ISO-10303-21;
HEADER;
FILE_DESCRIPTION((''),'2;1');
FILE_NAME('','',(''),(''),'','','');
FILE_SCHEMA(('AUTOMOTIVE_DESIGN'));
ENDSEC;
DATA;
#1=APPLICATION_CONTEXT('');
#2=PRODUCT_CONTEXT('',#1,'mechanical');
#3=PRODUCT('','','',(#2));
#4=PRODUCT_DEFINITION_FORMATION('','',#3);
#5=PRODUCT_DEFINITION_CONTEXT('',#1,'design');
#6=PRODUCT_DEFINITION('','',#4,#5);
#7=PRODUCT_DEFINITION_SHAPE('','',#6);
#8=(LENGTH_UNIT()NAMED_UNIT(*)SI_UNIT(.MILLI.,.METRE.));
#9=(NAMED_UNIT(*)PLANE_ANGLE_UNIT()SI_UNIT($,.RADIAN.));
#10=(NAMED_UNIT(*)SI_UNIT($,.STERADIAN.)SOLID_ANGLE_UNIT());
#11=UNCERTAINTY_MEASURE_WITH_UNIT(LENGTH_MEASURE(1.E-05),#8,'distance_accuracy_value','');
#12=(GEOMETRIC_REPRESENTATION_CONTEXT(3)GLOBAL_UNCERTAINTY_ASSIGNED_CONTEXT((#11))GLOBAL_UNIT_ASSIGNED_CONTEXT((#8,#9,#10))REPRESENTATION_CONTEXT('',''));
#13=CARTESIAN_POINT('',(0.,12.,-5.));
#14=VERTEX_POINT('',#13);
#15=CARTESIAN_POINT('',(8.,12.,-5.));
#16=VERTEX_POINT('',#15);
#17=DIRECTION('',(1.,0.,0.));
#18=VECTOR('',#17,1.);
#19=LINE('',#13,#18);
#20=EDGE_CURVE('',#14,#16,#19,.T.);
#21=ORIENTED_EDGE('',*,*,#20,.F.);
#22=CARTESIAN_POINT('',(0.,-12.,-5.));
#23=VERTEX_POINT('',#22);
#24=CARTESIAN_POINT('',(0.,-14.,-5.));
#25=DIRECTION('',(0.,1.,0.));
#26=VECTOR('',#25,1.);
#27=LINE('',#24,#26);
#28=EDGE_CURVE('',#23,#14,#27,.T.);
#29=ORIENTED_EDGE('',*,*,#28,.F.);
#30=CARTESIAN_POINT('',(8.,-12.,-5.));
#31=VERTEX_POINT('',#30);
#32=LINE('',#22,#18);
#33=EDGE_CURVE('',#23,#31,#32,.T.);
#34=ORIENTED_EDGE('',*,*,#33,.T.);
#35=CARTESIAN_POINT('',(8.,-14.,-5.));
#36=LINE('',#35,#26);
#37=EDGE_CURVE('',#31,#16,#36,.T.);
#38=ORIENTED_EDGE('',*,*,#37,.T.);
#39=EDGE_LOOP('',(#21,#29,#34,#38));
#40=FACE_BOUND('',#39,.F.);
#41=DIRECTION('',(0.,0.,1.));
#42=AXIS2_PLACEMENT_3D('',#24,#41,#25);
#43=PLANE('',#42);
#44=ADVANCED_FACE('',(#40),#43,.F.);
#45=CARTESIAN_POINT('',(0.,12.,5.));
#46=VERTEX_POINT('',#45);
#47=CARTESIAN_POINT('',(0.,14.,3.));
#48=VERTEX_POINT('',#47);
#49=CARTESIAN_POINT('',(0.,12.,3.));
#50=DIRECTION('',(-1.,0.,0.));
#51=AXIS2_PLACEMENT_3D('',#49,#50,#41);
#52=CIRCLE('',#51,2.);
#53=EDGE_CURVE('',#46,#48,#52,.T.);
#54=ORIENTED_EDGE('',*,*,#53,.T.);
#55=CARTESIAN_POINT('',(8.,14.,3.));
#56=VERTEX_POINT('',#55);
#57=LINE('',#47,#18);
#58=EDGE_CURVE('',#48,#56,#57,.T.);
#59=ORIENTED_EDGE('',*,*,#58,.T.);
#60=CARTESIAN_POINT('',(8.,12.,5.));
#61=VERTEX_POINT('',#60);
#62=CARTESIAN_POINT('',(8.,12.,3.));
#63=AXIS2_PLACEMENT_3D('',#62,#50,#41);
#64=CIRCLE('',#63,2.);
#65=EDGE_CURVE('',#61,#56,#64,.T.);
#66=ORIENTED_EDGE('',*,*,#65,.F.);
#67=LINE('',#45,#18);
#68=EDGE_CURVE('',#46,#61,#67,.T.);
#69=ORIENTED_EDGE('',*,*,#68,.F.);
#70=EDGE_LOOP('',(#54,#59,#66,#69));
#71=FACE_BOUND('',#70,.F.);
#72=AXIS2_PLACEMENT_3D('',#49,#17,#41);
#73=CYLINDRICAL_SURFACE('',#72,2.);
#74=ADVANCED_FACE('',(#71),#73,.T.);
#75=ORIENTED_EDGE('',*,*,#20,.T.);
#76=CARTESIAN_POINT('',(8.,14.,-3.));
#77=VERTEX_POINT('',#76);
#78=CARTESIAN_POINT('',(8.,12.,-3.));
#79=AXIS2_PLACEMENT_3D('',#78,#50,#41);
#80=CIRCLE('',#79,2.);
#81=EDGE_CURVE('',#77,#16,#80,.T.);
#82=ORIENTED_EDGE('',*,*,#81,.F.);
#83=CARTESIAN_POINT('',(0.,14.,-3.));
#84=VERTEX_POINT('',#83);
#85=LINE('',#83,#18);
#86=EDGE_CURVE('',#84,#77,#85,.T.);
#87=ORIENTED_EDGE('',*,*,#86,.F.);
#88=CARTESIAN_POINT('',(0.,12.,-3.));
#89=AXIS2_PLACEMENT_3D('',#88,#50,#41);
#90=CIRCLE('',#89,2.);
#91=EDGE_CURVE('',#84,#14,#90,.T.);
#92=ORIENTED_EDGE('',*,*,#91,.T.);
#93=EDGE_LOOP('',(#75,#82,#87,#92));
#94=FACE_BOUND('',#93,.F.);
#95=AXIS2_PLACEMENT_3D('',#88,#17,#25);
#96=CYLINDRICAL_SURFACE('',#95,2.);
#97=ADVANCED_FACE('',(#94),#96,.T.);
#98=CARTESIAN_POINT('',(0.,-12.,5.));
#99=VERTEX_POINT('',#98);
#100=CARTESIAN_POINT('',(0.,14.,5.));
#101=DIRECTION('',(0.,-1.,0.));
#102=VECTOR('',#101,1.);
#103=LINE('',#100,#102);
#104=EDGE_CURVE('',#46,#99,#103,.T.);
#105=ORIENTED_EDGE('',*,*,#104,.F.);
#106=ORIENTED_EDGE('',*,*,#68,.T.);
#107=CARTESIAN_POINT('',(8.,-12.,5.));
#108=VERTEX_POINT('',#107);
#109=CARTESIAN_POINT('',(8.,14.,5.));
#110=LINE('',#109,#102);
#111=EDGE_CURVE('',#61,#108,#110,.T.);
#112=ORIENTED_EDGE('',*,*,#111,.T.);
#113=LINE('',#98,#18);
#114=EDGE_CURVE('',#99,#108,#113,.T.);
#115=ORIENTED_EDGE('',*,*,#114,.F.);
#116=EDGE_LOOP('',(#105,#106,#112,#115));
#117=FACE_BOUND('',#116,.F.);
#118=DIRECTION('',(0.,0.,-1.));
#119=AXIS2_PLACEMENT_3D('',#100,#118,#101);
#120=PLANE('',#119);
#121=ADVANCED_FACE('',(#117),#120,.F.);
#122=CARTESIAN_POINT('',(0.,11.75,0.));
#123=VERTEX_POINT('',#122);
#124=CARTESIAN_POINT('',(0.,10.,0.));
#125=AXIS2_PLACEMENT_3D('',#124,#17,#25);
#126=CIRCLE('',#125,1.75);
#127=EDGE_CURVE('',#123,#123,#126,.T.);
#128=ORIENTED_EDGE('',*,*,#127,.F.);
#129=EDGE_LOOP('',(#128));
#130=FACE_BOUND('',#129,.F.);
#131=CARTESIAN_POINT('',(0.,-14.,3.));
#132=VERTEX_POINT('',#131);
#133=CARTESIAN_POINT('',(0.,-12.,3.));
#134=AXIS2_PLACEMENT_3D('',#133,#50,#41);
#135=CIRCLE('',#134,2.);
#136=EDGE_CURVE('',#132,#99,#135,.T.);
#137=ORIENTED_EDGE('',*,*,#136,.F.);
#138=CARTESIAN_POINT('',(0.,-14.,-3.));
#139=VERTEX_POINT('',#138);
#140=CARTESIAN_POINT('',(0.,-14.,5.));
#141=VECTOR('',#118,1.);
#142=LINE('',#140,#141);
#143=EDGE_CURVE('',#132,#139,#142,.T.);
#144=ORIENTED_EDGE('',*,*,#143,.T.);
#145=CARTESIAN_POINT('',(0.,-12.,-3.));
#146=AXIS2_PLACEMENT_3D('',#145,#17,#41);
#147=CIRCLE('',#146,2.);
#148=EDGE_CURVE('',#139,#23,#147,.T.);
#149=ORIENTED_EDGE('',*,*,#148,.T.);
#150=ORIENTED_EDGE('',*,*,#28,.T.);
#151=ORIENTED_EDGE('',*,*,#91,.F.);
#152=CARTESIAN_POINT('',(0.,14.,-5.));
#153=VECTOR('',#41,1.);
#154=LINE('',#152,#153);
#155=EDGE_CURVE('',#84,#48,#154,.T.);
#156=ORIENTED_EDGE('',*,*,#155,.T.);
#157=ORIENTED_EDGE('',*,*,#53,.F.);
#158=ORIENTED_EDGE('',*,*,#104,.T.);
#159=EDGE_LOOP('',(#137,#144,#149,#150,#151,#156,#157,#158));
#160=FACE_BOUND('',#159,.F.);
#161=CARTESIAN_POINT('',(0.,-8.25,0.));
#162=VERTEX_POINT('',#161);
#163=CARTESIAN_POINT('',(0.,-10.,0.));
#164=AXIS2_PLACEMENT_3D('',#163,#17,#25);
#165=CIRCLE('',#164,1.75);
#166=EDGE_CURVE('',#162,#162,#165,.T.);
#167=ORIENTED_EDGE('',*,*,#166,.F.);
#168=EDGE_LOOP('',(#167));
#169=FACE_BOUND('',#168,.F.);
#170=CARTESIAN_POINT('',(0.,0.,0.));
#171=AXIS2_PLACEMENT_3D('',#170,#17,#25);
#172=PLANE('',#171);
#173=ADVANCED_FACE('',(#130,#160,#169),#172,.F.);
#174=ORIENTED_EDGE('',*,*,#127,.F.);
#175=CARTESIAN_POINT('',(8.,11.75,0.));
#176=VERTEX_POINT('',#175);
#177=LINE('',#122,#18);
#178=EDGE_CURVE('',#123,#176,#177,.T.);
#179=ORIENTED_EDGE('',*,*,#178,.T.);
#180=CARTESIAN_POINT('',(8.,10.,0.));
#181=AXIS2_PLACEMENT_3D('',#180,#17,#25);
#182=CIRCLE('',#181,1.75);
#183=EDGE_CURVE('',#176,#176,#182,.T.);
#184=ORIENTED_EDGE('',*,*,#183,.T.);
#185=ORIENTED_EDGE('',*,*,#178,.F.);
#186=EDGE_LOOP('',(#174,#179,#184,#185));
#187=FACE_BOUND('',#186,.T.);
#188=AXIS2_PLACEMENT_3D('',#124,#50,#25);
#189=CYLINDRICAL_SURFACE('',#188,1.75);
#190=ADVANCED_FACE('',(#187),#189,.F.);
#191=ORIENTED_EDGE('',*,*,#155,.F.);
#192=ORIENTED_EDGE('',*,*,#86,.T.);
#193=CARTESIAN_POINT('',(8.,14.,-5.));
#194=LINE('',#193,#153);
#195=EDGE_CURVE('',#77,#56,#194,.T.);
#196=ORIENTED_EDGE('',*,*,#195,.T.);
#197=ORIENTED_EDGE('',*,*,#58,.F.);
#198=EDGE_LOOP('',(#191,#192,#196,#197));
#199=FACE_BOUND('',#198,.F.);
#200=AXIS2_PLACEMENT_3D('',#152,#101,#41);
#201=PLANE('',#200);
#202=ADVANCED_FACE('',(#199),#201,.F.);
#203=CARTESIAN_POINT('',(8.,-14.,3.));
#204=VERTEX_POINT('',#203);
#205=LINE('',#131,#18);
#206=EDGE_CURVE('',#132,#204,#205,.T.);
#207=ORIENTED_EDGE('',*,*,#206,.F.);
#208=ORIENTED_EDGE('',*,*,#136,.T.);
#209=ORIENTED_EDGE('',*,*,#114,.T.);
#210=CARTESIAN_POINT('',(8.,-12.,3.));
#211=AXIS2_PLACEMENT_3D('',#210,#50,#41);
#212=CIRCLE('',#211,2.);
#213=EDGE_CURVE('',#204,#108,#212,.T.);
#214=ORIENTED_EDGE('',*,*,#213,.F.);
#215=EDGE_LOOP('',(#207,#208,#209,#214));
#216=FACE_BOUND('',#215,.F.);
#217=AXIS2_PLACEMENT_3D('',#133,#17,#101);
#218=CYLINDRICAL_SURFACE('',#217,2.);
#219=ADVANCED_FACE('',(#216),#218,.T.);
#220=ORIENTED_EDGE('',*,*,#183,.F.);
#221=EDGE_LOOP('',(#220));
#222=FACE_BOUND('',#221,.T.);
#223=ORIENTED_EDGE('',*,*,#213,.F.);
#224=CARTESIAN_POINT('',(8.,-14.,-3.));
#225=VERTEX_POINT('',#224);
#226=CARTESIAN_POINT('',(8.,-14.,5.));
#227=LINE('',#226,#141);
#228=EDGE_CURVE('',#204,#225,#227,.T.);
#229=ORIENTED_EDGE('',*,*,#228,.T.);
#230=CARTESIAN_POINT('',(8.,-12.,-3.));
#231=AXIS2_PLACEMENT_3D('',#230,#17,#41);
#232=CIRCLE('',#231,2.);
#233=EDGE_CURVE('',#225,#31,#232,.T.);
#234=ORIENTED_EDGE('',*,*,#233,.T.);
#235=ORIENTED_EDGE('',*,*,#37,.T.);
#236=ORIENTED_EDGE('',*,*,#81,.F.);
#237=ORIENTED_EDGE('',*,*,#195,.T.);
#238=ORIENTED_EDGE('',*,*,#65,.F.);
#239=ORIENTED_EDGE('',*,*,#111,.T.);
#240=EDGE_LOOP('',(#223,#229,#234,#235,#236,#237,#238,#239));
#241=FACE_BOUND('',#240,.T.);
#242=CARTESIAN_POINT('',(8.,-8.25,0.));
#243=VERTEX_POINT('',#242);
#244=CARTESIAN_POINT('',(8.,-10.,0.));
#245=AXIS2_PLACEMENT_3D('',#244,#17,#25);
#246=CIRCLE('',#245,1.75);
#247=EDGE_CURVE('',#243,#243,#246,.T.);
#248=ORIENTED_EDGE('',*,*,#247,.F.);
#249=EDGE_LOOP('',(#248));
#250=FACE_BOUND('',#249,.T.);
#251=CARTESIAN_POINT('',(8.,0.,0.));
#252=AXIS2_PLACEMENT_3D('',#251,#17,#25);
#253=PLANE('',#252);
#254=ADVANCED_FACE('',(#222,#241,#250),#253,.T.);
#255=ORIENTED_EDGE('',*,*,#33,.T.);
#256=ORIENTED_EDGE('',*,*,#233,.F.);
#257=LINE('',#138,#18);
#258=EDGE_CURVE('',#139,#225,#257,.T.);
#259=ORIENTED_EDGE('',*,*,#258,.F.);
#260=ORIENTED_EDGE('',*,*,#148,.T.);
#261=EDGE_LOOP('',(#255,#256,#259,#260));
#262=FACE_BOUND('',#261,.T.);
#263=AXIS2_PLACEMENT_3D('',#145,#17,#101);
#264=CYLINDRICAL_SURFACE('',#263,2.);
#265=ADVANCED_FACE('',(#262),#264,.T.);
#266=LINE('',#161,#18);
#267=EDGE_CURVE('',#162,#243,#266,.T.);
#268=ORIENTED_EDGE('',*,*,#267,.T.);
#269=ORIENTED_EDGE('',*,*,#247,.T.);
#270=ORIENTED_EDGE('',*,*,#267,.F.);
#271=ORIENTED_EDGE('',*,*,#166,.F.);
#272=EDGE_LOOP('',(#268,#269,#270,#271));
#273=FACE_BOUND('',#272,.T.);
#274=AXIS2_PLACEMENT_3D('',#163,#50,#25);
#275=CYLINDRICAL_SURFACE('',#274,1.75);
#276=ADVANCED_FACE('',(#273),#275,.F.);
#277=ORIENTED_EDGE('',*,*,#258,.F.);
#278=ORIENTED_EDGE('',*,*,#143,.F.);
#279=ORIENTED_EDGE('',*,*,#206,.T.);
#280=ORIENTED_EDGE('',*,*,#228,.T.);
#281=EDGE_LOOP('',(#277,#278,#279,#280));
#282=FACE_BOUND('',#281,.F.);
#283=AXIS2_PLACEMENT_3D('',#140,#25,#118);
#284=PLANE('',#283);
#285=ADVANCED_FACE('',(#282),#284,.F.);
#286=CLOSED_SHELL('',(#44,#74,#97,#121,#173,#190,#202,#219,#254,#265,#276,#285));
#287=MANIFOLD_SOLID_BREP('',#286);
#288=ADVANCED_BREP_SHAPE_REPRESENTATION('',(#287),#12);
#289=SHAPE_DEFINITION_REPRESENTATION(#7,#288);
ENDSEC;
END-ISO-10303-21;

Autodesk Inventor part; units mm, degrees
ref_plane "YZ Plane" through (0, 0, 0) normal (1, 0, 0) x (0, 1, 0)
ref_plane "XZ Plane" through (0, 0, 0) normal (0, 1, 0) x (-1, 0, 0)
ref_plane "XY Plane" through (0, 0, 0) normal (0, 0, 1) x (1, 0, 0)
sketch "Sketch1" plane through (0, 0, 0) normal (1, 0, 0) x (0, 1, 0)
  line L0 (-14, -5) -> (14, -5)
  line L1 (14, -5) -> (14, 5)
  line L2 (14, 5) -> (-14, 5)
  line L3 (-14, 5) -> (-14, -5)
  line L4 (-14, -5) -> (14, 5) construction
  line L5 (14, -5) -> (-14, 5) construction
  circle A0 centre (10, 0) radius 1.75
  circle A1 centre (-10, 0) radius 1.75
  point P0 (0, 0)
  dimension "d0" = 10
  dimension "d1" = 28
  dimension "d2" = 4
  dimension "d3" = 4
  dimension "d4" = 3.5
  dimension "d5" = 3.5
extrude "Extrusion1" add sketch "Sketch1" along normal blind 8
fillet "Fillet1" radius 2 4 edges at (4, 14, 5) (4, 14, -5) (4, -14, -5) (4, -14, 5)
properties part number "filler_side_fix" material "ABS プラスチック"
